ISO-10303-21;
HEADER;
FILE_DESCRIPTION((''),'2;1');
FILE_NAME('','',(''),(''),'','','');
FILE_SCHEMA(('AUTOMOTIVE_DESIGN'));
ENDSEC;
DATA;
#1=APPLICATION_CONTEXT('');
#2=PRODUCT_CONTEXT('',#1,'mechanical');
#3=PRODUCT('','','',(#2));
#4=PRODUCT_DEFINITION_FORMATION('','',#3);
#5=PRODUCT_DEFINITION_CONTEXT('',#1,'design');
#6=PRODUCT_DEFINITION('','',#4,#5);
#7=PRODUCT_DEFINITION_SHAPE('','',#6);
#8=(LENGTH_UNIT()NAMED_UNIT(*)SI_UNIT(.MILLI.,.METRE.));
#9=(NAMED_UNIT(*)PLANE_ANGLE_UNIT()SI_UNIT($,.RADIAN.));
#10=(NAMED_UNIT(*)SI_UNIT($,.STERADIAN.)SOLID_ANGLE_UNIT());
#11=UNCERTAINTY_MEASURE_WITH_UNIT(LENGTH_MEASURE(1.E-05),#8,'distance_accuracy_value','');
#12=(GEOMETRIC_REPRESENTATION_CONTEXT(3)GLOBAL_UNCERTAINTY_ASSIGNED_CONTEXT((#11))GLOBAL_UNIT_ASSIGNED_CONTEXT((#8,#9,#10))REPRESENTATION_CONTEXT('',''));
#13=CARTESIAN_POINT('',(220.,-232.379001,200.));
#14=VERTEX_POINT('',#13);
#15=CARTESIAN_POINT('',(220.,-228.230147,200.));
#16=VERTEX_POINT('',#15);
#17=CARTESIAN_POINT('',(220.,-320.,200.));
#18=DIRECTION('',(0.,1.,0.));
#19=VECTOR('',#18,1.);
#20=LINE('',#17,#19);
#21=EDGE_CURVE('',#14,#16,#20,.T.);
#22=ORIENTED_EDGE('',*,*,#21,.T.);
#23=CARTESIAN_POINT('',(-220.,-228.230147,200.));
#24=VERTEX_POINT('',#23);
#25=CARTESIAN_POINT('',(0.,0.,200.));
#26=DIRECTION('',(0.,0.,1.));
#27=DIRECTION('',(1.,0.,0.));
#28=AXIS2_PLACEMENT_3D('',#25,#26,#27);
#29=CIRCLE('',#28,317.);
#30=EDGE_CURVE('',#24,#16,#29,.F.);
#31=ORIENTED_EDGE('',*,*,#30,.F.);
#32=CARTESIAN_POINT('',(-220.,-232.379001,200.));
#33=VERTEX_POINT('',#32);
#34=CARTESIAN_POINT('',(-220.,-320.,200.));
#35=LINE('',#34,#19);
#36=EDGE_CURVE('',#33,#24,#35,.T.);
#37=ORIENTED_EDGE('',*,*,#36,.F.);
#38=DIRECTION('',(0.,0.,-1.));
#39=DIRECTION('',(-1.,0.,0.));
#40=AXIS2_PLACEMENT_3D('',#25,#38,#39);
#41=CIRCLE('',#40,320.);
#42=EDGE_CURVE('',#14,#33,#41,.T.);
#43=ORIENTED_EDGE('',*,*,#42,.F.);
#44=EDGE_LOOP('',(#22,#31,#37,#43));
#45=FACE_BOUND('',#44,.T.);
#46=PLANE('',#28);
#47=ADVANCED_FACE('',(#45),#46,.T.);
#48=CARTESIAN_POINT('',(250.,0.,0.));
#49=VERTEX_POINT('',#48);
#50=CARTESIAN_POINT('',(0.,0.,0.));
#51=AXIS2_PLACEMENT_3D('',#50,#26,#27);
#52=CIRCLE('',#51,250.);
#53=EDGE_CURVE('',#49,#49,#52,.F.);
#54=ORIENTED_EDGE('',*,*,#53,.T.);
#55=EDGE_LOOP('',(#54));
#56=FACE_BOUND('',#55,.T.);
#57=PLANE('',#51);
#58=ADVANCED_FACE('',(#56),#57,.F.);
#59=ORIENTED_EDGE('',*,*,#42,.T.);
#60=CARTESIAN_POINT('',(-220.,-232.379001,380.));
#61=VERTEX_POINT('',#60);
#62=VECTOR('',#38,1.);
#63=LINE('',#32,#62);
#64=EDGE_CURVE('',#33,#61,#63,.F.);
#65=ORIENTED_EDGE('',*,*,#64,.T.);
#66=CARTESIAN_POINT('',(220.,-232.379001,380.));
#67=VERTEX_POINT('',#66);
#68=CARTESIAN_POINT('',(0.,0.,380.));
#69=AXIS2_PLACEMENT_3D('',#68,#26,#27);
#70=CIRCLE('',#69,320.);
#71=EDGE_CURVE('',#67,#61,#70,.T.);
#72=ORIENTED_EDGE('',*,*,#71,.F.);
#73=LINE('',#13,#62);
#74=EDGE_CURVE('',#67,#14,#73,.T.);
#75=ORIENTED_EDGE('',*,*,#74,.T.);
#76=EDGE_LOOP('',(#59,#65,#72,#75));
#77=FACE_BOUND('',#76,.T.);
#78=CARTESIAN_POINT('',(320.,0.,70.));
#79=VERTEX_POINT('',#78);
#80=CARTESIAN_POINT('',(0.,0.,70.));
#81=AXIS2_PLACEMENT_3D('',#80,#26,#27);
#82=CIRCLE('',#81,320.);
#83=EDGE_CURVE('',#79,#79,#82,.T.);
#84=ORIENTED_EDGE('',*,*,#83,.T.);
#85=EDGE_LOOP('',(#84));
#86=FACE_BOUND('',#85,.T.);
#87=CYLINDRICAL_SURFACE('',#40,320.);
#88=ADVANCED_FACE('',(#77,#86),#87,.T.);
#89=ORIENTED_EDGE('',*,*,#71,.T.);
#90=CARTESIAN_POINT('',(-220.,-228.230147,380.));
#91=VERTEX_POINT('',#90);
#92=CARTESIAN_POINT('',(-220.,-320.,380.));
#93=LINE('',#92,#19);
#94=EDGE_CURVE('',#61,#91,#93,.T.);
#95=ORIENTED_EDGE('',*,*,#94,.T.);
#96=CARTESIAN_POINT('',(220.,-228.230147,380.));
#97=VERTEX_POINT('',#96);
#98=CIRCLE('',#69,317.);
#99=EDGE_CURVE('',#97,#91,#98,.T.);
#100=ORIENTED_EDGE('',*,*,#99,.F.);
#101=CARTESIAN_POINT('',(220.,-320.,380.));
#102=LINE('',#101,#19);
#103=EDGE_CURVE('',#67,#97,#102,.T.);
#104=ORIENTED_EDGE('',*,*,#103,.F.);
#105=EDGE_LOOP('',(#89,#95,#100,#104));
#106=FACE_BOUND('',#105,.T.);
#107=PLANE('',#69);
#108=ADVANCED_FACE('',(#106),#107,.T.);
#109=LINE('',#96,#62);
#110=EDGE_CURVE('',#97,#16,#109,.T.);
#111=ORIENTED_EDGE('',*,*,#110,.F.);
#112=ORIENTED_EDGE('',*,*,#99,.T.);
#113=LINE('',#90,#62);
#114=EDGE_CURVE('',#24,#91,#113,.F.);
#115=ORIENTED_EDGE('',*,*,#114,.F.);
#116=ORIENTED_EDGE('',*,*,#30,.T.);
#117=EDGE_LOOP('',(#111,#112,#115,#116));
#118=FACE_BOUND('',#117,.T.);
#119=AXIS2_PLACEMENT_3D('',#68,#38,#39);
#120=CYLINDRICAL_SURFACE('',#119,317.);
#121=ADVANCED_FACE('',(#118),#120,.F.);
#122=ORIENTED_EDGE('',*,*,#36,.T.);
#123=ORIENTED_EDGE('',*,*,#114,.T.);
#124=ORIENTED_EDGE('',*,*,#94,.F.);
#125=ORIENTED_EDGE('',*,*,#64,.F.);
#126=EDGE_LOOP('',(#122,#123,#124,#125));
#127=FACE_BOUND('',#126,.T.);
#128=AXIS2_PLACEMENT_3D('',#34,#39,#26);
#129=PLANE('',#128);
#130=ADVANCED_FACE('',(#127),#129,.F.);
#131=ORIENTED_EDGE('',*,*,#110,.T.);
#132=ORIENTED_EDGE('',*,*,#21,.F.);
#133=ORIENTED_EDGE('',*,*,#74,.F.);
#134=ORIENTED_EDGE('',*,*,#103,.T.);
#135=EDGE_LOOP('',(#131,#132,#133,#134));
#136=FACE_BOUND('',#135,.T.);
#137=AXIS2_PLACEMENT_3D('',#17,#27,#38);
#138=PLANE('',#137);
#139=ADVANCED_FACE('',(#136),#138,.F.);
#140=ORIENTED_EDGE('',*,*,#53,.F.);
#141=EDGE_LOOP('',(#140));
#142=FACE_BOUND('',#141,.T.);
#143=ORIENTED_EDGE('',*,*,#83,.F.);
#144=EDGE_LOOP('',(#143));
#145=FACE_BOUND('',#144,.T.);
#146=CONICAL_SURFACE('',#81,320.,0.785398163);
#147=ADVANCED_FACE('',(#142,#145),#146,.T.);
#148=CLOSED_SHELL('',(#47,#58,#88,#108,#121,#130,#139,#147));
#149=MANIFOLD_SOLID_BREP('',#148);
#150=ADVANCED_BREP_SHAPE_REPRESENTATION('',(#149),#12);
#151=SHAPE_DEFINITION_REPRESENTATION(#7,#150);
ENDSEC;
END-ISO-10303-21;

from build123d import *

# Parameters (mm, degrees)
ESQUISSE1_R             = 320
BOSS_EXTRU_1_DEPTH      = 200
CHANFREIN2_SIZE         = 70
ESQUISSE2_R             = 320
ESQUISSE2_R_2           = 317
BOSS_EXTRU_2_DEPTH      = 180
ESQUISSE3_W             = 440
ESQUISSE3_H             = 180
ENL_V_MAT_EXTRU_1_DEPTH = 591.931468108


with BuildPart() as part:
    # Esquisse1 → Boss.-Extru.1 (new body)
    with BuildSketch(Plane.XY):
        Circle(ESQUISSE1_R)
    extrude(amount=BOSS_EXTRU_1_DEPTH)

    # Chanfrein2
    chanfrein2_edges = [part.edges().sort_by_distance(p)[0] for p in [
        (-320, 0, 0),
    ]]
    chamfer(chanfrein2_edges, length=CHANFREIN2_SIZE)

    # Esquisse2 → Boss.-Extru.2 (add)
    with BuildSketch(Plane.XY.offset(200)):
        Circle(ESQUISSE2_R)
        with Locations(Location((0, 0, 0), (0, 0, 180))):
            Circle(ESQUISSE2_R_2, mode=Mode.SUBTRACT)
    extrude(amount=BOSS_EXTRU_2_DEPTH)

    # Esquisse3 → Enlèv. mat.-Extru.1 (cut, through all)
    with BuildSketch(Plane(origin=(0, 0, 0), x_dir=(1, 0, 0), z_dir=(0, 1, 0))):
        with Locations((0, -290)):
            Rectangle(ESQUISSE3_W, ESQUISSE3_H)
    extrude(amount=-ENL_V_MAT_EXTRU_1_DEPTH, mode=Mode.SUBTRACT)


solid = part.part
